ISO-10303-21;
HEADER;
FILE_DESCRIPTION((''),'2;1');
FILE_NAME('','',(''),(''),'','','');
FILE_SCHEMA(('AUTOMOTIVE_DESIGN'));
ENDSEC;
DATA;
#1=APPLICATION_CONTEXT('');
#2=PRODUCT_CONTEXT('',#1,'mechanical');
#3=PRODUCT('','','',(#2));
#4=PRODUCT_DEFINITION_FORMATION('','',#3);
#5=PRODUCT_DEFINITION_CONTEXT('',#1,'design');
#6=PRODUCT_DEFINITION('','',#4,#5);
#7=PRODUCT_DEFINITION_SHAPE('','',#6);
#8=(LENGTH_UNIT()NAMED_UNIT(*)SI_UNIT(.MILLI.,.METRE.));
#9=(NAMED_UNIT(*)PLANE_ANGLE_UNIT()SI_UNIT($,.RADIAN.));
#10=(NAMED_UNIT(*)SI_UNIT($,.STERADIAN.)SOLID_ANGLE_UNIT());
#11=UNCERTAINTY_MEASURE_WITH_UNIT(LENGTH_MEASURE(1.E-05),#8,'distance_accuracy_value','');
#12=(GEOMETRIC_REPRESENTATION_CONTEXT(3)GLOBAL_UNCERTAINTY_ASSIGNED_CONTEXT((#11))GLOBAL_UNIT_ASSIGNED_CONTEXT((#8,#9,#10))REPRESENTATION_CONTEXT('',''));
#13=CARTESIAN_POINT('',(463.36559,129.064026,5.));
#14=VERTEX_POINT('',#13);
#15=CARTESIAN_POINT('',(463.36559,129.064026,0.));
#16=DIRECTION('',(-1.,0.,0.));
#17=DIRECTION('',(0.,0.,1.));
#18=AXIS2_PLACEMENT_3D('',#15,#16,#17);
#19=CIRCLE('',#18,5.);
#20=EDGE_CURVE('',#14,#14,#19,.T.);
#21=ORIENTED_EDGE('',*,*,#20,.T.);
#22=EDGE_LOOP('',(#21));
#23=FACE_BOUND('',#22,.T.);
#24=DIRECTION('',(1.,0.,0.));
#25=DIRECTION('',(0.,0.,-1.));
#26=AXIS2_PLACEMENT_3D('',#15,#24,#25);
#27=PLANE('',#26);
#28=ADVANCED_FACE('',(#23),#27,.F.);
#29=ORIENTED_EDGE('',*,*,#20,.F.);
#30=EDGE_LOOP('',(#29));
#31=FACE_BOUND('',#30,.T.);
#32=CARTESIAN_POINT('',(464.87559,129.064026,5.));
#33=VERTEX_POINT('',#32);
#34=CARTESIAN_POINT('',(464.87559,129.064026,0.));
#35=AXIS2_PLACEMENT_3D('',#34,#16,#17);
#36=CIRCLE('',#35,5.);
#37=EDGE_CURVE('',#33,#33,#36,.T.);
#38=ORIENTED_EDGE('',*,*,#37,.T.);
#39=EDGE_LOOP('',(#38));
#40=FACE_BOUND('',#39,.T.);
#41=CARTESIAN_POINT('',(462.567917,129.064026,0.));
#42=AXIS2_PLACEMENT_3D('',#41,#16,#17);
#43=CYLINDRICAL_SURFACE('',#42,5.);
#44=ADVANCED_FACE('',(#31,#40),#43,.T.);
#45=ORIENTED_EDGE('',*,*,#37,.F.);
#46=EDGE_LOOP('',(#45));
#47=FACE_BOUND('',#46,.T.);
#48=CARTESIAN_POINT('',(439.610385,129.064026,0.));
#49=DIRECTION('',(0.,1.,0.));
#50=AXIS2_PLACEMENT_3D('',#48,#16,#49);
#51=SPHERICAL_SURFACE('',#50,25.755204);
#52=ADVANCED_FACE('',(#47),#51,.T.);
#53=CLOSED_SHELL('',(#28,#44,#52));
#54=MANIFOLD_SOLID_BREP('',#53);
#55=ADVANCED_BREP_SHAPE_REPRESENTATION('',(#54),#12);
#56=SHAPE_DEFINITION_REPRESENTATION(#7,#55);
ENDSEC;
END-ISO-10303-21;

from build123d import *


with BuildPart() as part:
    # 草图2 → 旋转2 (revolve)
    with BuildSketch(Plane.XY):
        with BuildLine():
            Line((463.365589572, 129.06402577), (463.365589572, 134.06402577))
            Line((463.365589572, 134.06402577), (464.875589572, 134.06402577))
            ThreePointArc((464.875589572, 134.06402577), (465.242796853, 131.576002084), (465.365589572, 129.06402577))
            Line((465.365589572, 129.06402577), (463.365589572, 129.06402577))
        make_face()
    revolve(axis=Axis((462.567917318, 129.06402577, 0), (1, 0, 0)))


solid = part.part
